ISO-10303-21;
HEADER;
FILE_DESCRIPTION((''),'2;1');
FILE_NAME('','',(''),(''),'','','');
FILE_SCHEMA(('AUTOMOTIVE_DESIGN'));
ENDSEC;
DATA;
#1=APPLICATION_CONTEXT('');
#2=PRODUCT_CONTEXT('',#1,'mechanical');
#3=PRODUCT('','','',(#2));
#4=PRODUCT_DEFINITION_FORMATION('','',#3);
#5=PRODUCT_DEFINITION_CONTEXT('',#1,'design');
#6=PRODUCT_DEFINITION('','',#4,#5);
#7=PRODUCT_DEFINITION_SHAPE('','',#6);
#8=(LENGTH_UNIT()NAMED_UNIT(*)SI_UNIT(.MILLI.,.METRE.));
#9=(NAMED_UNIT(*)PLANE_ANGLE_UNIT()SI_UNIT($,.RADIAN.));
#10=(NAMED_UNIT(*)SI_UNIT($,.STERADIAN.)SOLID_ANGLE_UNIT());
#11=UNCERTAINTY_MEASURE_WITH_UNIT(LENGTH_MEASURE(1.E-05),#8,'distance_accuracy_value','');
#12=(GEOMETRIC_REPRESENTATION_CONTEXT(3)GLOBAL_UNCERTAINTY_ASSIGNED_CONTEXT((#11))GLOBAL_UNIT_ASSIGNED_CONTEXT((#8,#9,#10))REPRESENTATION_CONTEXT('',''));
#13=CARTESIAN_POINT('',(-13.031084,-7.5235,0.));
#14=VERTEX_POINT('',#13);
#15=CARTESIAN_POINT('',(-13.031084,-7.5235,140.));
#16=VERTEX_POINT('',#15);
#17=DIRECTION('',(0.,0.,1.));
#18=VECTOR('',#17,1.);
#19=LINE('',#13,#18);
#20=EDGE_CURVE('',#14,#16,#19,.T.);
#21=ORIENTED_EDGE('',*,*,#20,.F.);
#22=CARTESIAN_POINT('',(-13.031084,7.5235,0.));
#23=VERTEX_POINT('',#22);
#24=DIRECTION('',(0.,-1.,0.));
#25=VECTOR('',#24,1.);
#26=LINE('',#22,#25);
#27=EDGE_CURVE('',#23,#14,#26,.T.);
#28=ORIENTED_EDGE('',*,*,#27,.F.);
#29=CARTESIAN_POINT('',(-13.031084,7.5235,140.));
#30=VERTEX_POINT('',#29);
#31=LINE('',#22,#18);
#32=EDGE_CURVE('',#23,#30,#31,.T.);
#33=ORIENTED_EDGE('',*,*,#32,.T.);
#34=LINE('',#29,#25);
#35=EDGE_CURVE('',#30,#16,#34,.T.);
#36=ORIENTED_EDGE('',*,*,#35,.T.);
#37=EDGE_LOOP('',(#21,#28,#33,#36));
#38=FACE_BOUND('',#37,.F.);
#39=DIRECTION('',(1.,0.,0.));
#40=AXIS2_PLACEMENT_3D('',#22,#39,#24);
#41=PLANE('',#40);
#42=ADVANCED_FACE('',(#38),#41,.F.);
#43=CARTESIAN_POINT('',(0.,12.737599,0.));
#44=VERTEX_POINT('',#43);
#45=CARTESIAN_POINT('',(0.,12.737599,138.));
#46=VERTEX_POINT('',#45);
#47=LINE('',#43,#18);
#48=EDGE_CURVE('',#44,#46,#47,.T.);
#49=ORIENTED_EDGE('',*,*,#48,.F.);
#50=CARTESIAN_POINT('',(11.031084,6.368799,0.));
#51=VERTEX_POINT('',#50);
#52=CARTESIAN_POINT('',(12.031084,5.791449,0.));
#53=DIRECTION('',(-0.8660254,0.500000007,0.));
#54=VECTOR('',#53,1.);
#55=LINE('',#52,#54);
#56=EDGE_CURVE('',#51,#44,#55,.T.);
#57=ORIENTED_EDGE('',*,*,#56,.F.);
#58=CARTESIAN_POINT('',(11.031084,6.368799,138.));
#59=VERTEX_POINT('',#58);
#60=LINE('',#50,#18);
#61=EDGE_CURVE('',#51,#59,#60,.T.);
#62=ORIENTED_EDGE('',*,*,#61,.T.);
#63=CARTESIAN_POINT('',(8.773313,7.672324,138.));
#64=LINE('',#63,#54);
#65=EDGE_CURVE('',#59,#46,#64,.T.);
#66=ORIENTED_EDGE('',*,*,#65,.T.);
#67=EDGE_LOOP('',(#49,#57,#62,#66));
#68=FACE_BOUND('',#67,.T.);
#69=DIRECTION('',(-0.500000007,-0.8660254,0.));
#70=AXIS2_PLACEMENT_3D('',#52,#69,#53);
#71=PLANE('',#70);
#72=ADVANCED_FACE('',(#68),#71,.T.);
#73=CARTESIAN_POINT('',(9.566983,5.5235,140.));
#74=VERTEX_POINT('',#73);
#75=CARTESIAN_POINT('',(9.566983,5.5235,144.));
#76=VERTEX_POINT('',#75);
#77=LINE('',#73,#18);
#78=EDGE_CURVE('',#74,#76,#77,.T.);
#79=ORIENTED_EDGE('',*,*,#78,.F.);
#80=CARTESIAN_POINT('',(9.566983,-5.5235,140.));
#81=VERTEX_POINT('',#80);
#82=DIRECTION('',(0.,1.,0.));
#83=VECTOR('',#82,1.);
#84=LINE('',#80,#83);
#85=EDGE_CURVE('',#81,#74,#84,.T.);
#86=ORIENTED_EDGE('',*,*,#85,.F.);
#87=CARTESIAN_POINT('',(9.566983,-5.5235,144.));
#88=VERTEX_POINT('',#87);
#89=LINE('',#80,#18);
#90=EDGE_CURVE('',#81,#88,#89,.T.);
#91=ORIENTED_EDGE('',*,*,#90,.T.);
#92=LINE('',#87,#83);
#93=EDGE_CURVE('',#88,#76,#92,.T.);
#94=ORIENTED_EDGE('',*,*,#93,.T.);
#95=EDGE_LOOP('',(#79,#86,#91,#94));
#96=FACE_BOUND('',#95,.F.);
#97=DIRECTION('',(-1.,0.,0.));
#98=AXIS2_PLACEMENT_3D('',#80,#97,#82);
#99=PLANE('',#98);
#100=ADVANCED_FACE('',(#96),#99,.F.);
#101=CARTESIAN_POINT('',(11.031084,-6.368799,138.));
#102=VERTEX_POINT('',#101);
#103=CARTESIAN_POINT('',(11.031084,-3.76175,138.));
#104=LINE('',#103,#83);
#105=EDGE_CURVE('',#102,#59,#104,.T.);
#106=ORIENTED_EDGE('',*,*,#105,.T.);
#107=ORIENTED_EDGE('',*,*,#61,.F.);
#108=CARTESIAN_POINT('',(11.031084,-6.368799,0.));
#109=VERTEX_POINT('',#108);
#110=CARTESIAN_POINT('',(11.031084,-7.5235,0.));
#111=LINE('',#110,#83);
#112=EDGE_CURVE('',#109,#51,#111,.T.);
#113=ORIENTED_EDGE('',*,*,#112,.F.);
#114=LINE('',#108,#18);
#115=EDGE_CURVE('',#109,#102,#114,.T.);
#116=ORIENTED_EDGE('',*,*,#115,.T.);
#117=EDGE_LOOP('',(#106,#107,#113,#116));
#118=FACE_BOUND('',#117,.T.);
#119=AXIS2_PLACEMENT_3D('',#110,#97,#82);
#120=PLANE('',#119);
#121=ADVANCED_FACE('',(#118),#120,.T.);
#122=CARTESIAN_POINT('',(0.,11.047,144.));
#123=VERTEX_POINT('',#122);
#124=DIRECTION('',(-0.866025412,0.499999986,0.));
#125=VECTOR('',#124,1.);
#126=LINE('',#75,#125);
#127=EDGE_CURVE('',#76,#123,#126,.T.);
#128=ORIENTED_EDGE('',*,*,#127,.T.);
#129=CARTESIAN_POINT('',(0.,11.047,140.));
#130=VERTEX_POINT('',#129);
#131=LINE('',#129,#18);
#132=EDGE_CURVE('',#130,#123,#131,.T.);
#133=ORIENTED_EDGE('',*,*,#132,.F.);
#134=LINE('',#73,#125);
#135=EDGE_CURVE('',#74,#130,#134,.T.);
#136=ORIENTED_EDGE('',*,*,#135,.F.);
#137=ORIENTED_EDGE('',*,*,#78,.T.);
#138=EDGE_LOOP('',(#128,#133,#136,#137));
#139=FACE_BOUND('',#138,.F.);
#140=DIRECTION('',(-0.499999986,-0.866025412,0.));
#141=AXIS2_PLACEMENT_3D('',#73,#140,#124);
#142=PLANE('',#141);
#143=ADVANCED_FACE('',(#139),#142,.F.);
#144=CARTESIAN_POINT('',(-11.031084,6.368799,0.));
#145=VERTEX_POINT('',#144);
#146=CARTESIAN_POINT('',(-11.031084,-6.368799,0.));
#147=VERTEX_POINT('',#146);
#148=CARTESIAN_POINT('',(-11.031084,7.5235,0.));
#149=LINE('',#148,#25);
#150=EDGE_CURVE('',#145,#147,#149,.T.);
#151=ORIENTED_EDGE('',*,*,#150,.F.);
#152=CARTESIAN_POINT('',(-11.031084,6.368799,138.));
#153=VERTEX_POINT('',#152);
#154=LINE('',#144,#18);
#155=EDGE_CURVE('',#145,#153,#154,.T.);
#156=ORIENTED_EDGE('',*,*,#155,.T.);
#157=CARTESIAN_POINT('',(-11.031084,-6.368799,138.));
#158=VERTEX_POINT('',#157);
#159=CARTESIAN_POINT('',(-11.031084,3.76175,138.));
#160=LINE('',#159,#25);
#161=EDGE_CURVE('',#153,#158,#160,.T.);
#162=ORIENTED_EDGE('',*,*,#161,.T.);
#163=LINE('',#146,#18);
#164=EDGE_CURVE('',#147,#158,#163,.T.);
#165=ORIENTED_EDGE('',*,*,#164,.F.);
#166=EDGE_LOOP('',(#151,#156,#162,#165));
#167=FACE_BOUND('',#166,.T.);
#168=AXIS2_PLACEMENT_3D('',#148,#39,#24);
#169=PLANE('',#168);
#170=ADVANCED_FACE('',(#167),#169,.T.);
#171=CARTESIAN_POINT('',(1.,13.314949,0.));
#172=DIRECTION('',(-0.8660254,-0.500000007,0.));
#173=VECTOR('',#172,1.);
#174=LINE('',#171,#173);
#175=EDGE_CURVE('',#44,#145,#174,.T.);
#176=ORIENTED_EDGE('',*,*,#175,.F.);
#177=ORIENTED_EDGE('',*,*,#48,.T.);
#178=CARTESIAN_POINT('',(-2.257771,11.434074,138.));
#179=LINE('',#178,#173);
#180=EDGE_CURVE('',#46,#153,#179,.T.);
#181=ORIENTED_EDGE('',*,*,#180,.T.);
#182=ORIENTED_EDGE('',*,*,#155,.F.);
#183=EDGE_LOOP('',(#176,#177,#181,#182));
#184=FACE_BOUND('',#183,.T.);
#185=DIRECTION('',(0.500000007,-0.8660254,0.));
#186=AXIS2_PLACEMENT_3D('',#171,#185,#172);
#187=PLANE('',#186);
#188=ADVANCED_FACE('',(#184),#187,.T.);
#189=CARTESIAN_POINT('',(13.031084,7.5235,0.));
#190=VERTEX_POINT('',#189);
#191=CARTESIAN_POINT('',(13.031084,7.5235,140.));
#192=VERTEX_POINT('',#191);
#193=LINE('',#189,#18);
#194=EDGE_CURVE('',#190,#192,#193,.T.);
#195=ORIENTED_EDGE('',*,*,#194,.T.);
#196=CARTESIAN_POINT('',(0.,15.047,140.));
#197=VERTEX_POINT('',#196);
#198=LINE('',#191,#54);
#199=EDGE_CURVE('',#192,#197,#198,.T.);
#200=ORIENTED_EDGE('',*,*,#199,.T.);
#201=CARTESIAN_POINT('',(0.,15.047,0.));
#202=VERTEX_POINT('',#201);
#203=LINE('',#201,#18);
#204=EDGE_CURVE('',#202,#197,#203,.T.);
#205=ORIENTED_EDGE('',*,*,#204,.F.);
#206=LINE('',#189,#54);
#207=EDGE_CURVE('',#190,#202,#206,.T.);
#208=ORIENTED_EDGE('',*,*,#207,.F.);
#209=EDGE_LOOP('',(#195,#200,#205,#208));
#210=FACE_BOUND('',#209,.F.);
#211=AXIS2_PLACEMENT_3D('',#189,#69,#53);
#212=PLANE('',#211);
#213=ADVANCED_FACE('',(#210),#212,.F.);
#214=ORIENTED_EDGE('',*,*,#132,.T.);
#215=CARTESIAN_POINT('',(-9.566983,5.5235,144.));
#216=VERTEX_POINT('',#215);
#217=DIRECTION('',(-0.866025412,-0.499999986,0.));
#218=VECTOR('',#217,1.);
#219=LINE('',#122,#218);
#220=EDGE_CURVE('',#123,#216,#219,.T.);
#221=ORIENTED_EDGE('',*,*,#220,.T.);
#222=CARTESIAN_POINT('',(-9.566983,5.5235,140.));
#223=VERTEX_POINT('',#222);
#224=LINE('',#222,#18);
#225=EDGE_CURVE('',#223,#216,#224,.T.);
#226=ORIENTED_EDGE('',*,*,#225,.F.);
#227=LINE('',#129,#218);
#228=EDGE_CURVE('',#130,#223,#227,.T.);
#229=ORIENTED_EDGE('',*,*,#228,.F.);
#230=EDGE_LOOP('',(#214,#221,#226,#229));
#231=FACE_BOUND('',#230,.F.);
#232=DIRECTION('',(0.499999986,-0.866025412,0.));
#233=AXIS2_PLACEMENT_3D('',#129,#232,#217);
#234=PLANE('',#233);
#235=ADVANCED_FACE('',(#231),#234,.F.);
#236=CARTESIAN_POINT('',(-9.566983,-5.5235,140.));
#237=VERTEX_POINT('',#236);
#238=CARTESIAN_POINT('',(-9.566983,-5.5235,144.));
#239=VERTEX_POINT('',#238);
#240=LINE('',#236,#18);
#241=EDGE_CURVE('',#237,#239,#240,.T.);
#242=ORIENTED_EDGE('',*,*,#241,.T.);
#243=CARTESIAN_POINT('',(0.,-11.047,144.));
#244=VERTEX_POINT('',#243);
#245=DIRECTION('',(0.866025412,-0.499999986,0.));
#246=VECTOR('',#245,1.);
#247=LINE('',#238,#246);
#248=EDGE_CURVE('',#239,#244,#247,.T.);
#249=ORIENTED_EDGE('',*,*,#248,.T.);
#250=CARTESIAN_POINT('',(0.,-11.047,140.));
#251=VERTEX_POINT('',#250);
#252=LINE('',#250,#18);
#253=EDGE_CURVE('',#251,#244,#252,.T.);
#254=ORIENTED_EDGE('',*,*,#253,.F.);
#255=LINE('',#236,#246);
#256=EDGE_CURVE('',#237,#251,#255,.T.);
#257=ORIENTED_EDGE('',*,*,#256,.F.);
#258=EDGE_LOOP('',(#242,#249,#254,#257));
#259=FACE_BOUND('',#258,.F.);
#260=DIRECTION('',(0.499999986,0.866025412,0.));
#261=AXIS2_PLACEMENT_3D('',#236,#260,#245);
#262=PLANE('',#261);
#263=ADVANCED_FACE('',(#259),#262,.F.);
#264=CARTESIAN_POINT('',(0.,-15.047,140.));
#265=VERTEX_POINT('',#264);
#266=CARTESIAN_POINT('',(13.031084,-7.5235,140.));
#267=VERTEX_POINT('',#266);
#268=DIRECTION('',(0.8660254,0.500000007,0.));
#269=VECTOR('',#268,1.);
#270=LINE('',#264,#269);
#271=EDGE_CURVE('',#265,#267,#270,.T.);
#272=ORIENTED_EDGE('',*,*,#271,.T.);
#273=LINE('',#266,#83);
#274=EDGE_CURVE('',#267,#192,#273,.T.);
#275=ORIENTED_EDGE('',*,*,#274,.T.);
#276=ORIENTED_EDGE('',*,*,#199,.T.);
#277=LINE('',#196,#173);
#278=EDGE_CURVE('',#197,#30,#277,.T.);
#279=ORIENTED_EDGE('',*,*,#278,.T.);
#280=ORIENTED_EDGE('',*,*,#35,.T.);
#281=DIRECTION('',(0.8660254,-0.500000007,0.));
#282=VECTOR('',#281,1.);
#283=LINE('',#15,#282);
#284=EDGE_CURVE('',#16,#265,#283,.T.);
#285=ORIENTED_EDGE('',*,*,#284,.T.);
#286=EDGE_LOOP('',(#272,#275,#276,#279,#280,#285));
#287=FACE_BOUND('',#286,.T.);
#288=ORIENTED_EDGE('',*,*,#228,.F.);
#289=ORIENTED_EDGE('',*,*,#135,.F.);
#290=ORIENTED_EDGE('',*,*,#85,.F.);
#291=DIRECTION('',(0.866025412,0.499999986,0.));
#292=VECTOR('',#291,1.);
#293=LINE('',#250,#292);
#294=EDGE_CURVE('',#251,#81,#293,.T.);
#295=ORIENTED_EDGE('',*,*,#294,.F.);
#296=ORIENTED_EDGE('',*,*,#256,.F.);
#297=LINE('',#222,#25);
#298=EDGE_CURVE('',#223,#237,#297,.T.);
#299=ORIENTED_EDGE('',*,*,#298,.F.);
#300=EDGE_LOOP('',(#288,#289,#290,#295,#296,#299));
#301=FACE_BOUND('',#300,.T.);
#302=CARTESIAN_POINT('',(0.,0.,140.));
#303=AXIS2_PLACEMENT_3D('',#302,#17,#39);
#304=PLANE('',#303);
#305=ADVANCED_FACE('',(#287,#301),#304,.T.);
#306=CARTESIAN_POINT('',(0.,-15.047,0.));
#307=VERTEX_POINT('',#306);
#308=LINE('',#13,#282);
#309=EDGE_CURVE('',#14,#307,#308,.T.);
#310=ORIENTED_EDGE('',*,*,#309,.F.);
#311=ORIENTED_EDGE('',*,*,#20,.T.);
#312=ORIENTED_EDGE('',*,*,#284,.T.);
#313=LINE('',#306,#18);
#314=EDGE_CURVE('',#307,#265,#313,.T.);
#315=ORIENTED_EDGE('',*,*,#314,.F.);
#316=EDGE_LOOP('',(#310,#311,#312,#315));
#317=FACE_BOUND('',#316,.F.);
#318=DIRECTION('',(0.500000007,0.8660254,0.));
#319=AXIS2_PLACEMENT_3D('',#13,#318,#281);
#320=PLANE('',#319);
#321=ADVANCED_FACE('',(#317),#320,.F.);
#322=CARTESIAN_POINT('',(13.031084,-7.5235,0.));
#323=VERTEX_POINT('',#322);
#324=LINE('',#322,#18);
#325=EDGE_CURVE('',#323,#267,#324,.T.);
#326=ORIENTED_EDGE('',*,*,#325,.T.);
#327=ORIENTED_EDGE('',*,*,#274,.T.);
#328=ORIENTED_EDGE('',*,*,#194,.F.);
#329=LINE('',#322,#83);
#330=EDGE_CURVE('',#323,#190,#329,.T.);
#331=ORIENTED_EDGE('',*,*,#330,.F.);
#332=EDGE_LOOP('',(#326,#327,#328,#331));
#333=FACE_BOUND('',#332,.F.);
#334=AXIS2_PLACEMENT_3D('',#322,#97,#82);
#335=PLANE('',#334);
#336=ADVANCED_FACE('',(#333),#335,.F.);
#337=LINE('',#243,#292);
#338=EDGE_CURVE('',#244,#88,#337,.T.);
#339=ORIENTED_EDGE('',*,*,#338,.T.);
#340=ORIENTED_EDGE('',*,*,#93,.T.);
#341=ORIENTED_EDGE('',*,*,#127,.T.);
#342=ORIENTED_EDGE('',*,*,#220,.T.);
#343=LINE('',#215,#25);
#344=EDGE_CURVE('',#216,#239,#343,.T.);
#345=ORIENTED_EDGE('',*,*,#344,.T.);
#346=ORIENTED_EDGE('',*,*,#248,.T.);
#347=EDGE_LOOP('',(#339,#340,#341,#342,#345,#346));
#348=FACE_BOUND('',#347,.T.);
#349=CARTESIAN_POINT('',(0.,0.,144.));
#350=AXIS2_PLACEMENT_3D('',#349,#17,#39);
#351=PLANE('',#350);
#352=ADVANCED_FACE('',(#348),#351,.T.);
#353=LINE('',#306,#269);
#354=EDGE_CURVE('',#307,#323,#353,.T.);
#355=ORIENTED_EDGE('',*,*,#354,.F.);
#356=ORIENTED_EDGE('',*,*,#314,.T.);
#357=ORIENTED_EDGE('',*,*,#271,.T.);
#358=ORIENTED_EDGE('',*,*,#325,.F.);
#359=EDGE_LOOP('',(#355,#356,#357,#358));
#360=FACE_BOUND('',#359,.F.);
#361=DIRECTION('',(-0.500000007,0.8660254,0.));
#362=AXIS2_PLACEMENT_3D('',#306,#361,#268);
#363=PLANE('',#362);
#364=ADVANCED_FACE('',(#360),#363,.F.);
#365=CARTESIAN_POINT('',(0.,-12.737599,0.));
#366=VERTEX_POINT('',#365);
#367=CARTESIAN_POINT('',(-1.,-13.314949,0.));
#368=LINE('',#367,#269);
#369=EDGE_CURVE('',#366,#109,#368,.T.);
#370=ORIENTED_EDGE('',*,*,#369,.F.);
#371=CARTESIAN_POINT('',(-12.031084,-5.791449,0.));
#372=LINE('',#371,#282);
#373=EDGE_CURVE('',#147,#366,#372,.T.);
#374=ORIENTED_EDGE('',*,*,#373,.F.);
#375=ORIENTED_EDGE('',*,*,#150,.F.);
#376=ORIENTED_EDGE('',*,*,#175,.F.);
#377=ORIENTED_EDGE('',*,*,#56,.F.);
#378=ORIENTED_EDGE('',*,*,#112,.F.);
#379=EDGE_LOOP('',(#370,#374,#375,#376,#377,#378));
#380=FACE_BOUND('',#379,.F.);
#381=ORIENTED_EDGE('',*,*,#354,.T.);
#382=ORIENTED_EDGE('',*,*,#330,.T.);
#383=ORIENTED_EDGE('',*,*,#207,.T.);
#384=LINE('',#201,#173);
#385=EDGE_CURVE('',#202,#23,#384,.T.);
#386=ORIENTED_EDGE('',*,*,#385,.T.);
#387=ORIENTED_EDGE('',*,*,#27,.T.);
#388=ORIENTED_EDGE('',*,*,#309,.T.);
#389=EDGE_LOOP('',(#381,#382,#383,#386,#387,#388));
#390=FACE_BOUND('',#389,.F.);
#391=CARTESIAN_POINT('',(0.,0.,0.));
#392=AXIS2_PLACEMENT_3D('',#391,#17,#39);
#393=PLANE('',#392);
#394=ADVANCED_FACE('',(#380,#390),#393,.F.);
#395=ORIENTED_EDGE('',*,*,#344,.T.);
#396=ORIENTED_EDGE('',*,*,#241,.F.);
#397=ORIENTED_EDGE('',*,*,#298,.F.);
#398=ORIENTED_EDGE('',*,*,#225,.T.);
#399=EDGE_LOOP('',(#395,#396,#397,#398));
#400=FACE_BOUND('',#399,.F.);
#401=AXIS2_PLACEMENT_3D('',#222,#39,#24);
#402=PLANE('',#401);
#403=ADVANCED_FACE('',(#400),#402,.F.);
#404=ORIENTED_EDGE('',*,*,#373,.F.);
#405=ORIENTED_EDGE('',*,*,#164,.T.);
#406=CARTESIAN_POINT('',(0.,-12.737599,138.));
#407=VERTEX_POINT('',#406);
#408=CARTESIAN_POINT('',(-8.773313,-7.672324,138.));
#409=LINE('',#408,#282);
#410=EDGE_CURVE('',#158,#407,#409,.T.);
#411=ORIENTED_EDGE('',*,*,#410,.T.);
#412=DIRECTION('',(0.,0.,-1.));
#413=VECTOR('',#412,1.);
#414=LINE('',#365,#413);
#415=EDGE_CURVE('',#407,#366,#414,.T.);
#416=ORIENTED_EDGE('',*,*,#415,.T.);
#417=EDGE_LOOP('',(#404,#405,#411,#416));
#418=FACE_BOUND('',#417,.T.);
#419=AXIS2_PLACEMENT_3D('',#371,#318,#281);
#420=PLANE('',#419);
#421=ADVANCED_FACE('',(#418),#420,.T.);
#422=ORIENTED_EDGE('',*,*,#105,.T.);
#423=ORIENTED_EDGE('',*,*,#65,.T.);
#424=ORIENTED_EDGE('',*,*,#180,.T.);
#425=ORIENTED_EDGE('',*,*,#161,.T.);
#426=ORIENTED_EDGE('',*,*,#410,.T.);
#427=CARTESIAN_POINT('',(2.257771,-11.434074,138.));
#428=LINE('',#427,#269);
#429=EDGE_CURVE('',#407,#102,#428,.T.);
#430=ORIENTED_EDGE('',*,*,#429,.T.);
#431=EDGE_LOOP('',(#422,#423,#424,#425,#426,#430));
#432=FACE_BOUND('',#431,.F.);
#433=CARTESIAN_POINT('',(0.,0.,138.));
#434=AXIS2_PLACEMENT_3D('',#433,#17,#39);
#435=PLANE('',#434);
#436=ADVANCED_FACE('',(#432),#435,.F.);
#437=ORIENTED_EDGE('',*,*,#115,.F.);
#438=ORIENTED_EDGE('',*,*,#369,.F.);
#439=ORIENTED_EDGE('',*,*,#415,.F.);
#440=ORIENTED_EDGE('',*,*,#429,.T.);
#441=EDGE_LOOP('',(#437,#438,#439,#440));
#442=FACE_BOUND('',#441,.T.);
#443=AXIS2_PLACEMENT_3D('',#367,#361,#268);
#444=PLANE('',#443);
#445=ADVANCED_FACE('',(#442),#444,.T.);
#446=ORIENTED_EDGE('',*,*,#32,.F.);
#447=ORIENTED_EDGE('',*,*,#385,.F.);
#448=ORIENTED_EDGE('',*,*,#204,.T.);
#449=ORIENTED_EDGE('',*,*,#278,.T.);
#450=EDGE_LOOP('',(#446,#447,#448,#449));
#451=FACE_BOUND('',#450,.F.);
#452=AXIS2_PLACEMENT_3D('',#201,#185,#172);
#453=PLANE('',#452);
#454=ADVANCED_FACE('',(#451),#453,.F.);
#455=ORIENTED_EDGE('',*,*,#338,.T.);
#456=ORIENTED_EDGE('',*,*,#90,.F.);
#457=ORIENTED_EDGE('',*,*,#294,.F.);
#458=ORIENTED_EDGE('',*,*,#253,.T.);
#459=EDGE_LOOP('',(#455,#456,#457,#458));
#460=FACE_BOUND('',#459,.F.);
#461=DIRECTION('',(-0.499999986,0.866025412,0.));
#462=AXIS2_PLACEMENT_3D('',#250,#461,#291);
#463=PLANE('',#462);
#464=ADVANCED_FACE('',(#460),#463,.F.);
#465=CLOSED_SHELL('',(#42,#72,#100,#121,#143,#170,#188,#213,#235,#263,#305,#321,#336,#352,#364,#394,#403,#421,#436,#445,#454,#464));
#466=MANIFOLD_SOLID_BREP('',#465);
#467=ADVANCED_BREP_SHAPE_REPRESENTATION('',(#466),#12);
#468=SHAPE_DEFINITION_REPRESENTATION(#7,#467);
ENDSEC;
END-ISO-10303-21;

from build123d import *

# Parameters (mm, degrees)
F1_DEPTH = 140
F2_T     = -2
F4_DEPTH = 4


with BuildPart() as f1:
    # F0 (on Top) → F1 (new body)
    with BuildSketch(Plane.XY):
        Polygon((0, -15.047), (13.031084, -7.5235), (13.031084, 7.5235), (0, 15.047), (-13.031084, 7.5235), (-13.031084, -7.5235), align=None)
    extrude(amount=F1_DEPTH)

    # F2
    f2_openings = [f1.faces().sort_by_distance(p)[0] for p in [
        (0, 0, 0),
    ]]
    offset(amount=F2_T, openings=f2_openings)

    # F3 (on face) → F4 (join)
    with BuildSketch(Plane.XY.offset(140)):
        Polygon((0, -11.047), (9.566983, -5.5235), (9.566983, 5.5235), (0, 11.047), (-9.566983, 5.5235), (-9.566983, -5.5235), align=None)
    extrude(amount=F4_DEPTH)


solid = f1.part
